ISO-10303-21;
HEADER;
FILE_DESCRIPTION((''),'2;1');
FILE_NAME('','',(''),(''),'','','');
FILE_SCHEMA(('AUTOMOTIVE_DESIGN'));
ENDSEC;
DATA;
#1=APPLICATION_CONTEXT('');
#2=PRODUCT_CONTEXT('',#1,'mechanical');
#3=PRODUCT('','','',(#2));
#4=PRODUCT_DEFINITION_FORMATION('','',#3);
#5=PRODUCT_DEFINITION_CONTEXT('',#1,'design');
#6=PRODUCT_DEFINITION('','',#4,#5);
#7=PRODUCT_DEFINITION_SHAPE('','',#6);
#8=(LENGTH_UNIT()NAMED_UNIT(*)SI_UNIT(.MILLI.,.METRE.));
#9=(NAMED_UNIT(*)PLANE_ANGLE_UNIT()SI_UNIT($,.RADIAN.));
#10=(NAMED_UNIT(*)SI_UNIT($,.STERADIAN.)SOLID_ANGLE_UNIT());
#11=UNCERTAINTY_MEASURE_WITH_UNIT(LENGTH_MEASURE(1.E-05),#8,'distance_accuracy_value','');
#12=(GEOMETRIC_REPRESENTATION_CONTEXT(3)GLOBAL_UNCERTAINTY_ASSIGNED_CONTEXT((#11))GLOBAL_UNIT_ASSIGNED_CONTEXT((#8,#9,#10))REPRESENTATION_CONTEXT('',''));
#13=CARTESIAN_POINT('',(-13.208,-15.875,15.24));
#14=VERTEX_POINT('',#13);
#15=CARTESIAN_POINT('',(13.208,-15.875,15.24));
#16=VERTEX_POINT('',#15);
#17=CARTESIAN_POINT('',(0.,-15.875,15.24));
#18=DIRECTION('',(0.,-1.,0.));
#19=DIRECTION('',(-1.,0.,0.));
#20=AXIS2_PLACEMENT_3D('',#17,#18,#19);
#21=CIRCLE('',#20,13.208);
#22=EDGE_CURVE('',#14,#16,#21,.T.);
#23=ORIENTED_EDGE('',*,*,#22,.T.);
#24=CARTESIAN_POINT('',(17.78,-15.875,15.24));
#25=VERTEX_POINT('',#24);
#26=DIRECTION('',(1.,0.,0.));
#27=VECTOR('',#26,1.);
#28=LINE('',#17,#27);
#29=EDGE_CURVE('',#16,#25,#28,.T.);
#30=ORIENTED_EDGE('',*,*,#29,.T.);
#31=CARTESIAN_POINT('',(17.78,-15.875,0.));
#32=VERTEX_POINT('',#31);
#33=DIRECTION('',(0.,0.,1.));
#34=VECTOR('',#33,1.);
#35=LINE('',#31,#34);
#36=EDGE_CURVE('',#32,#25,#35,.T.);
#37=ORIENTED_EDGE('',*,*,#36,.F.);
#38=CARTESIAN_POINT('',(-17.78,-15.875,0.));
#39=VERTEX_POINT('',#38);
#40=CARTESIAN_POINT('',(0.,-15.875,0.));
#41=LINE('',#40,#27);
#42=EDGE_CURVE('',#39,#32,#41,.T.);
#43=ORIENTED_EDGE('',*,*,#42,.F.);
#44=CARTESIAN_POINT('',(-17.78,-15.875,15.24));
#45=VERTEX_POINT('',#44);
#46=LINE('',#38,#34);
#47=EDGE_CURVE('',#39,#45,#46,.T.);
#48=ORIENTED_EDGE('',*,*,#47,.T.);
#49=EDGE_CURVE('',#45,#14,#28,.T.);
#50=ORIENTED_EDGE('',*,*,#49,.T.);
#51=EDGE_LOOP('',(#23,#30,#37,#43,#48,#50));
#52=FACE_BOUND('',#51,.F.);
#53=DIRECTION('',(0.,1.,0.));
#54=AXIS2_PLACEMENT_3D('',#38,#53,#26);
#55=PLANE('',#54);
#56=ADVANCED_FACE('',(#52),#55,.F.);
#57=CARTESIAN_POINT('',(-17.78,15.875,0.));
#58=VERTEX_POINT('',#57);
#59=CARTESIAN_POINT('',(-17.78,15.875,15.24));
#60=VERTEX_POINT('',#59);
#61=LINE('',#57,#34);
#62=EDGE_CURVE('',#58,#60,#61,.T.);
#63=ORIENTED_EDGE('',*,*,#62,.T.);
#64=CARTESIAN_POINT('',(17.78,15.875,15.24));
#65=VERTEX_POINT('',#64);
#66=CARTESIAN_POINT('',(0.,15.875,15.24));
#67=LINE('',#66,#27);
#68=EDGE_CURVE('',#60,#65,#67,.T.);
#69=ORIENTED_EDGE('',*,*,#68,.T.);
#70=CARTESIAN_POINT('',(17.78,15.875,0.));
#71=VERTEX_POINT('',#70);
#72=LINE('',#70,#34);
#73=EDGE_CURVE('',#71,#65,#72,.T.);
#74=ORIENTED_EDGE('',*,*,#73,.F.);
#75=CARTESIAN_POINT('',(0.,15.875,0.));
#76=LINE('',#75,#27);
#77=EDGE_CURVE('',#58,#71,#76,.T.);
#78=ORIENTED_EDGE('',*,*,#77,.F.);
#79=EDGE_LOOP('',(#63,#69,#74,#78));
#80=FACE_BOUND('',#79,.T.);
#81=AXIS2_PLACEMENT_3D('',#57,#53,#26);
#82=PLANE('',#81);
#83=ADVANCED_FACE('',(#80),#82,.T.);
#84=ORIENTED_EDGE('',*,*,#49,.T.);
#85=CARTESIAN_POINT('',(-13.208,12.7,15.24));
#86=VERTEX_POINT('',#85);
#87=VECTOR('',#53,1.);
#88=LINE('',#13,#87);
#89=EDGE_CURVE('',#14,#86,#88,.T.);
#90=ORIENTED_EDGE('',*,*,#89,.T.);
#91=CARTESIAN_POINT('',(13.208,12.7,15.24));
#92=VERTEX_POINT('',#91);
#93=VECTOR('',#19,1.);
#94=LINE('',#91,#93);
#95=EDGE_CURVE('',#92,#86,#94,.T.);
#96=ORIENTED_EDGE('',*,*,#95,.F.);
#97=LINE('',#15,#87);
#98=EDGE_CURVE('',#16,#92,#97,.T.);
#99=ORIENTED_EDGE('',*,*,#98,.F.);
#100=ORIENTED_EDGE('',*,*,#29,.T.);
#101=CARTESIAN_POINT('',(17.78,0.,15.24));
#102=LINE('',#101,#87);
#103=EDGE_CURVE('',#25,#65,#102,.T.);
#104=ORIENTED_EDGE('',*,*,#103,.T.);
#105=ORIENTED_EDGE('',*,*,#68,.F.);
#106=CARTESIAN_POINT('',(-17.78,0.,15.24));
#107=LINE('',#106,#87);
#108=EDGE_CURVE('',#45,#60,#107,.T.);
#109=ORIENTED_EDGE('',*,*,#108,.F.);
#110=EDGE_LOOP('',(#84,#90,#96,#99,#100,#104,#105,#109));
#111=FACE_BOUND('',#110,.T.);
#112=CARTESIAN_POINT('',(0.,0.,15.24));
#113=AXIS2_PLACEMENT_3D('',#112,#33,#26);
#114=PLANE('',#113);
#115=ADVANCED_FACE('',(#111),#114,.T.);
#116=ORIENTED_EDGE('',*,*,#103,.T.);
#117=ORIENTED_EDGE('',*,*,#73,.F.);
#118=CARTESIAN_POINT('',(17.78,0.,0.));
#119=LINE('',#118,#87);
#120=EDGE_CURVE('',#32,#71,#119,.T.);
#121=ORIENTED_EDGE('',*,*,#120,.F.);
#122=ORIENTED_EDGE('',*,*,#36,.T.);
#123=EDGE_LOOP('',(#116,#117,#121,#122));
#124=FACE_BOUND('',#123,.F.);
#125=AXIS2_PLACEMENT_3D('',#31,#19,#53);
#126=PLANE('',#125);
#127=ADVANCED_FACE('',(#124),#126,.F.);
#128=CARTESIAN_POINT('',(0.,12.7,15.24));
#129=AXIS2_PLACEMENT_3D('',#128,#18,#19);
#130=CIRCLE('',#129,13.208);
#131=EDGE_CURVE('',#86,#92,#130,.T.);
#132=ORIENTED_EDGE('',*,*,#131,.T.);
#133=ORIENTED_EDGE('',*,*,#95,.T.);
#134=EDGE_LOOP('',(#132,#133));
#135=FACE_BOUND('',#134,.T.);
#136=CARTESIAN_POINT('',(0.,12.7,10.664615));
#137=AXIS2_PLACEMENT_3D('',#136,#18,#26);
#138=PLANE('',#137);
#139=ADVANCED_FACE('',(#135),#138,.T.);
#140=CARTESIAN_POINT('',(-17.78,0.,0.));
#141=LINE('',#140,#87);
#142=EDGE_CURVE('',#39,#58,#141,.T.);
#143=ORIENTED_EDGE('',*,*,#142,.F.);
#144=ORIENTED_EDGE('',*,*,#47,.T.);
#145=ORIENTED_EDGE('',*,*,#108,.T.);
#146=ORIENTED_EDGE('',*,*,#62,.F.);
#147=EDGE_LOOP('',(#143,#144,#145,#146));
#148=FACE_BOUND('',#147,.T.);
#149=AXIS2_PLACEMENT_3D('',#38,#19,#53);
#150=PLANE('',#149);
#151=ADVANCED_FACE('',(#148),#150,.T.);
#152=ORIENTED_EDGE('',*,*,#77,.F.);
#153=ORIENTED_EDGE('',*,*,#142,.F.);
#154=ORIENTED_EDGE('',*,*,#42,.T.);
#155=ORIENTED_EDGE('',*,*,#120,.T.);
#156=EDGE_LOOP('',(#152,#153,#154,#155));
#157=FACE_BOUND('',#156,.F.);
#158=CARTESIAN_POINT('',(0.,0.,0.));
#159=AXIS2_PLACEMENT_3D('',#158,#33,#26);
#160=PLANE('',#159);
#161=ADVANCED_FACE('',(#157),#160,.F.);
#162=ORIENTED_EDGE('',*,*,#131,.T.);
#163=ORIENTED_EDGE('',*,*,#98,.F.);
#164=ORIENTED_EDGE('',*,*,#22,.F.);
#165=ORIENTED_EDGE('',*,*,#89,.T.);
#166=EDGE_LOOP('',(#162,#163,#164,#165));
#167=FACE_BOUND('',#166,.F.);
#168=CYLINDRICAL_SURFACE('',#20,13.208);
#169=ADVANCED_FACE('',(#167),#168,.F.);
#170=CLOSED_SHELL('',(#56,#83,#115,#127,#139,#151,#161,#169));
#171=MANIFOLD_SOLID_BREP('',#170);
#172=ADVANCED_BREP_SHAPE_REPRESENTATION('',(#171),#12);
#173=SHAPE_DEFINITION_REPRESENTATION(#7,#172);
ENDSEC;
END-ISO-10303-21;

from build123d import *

# Parameters (mm, degrees)
F0_W     = 35.56
F0_H     = 31.75
F1_DEPTH = 15.24
F3_DEPTH = 28.575


with BuildPart() as f1:
    # F0 (on Top) → F1 (new body)
    with BuildSketch(Plane.XY):
        Rectangle(F0_W, F0_H)
    extrude(amount=F1_DEPTH)

    # F2 (on face) → F3 (cut)
    with BuildSketch(Plane.XZ.offset(15.875)):
        with BuildLine():
            ThreePointArc((-13.208, 15.24), (0, 2.032), (13.208, 15.24))
            Line((13.208, 15.24), (-13.208, 15.24))
        make_face()
    extrude(amount=-F3_DEPTH, mode=Mode.SUBTRACT)


solid = f1.part
